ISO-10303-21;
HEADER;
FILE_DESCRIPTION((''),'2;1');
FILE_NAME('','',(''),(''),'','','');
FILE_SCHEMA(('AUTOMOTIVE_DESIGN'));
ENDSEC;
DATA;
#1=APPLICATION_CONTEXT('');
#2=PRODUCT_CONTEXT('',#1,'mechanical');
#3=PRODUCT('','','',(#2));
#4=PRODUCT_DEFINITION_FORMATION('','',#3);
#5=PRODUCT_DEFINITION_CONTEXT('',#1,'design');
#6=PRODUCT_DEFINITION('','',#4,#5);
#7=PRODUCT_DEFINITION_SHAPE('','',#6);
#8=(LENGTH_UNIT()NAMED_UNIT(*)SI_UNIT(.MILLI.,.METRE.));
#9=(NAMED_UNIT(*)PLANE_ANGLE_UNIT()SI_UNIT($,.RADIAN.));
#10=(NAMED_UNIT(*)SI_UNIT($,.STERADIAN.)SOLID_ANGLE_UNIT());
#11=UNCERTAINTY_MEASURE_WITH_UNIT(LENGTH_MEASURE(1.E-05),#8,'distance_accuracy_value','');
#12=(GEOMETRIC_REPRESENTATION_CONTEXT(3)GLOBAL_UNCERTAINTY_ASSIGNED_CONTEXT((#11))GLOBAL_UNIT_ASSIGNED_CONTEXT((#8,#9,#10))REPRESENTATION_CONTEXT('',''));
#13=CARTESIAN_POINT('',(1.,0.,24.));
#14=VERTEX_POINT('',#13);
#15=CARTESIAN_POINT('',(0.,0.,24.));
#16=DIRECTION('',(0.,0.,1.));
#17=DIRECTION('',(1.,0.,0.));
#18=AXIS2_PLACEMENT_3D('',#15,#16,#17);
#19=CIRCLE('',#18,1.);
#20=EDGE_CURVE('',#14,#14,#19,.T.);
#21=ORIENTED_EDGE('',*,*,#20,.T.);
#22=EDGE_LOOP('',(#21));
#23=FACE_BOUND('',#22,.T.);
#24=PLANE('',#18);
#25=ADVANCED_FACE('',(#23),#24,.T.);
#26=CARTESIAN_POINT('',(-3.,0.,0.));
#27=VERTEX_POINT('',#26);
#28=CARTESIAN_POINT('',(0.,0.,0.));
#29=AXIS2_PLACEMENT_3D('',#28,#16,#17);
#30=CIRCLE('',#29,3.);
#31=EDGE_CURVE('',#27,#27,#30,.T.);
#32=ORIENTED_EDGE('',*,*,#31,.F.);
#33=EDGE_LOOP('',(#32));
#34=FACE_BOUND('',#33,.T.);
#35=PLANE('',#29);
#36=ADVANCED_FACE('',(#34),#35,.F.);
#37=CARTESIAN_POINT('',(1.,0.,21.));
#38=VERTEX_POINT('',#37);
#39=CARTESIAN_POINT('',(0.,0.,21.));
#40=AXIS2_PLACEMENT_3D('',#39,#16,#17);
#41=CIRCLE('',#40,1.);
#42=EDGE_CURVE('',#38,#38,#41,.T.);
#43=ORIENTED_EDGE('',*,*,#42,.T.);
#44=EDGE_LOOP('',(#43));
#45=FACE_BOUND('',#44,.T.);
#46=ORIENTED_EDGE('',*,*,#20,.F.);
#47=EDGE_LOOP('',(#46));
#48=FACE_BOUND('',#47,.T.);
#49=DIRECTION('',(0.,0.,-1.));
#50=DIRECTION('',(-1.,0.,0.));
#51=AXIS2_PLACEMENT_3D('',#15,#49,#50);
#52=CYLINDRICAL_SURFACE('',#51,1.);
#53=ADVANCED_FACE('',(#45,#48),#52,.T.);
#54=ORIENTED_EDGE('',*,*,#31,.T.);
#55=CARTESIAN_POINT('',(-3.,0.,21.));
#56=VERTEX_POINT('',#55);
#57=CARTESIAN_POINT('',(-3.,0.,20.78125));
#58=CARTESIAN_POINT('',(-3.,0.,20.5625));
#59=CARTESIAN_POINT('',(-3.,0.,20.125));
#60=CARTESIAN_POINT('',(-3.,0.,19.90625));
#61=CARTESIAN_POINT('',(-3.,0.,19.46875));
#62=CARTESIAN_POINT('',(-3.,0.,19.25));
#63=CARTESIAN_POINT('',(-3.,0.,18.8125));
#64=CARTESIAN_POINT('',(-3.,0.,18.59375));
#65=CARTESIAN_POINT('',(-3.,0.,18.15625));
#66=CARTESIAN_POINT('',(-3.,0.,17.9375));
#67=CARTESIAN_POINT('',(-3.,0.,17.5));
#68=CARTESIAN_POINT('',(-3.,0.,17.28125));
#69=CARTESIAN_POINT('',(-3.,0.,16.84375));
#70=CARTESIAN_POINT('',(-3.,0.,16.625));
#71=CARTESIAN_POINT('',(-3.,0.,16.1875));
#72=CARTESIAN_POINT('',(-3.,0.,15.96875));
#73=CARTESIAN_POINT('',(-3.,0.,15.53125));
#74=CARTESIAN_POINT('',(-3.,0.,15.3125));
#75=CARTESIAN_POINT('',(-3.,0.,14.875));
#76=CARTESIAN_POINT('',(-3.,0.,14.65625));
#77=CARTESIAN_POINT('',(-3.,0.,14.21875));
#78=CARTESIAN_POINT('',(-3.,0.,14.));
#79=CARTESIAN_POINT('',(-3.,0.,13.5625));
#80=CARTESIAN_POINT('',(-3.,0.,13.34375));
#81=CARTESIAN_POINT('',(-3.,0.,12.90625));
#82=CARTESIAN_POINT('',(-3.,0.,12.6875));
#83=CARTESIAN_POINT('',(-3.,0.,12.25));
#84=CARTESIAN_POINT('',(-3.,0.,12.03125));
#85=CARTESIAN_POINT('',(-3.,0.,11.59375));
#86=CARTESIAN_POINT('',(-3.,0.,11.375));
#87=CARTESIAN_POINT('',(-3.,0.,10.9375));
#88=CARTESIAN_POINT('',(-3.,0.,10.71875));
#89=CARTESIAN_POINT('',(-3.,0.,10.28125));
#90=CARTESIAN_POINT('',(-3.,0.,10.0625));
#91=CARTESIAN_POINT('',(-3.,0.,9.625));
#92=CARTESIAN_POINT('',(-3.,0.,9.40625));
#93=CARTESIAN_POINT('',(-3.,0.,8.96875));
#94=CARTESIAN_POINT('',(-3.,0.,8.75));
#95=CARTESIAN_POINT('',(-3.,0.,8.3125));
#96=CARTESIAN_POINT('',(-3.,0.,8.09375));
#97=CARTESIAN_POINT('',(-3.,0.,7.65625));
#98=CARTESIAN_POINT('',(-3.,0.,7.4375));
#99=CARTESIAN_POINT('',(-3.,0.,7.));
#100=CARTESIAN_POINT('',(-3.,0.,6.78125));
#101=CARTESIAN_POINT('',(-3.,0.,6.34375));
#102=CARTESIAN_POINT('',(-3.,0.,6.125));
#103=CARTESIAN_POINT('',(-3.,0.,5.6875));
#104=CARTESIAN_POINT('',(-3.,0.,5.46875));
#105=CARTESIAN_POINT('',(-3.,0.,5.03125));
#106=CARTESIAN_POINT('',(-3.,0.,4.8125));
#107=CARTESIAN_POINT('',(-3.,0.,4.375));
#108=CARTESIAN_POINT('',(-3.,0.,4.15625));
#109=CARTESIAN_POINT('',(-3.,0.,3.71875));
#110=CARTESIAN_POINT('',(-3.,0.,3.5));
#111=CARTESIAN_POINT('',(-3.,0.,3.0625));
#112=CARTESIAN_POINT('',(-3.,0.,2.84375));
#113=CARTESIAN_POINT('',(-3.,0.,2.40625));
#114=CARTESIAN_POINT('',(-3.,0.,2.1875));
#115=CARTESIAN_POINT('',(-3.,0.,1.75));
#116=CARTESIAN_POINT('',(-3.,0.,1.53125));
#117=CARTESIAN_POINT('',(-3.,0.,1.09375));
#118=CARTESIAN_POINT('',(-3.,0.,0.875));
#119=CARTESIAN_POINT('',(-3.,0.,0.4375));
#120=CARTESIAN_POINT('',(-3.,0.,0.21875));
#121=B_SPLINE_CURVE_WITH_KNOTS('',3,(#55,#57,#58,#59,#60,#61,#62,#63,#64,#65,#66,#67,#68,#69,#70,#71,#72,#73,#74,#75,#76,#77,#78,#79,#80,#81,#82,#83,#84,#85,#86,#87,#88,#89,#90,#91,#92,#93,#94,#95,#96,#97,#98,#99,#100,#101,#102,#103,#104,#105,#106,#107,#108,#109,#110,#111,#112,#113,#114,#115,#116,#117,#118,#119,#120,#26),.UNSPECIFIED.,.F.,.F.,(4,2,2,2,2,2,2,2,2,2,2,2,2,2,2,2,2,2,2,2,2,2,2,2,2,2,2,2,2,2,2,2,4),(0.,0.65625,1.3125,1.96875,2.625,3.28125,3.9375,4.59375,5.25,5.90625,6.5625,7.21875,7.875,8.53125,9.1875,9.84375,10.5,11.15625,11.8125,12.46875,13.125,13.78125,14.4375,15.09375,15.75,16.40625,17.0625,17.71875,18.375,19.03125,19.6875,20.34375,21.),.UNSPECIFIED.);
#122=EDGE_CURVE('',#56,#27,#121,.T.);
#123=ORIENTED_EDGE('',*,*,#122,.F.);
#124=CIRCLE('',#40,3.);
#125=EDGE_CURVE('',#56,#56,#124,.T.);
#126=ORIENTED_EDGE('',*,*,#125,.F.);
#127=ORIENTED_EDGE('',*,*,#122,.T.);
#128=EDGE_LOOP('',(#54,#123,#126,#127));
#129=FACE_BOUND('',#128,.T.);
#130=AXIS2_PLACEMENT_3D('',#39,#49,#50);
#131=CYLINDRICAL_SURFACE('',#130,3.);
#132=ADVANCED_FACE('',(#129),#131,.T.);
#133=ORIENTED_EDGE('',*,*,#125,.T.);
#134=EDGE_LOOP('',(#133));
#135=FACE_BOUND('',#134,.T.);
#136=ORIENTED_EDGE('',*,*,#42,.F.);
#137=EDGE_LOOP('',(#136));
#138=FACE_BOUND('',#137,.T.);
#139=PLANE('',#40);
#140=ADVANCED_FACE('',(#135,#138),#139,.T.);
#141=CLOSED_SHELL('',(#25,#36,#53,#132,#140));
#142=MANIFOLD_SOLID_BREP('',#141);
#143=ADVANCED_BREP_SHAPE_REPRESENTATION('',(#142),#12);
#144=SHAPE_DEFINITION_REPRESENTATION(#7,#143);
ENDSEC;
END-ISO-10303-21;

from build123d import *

# Parameters (mm, degrees)
SKETCH_1_R      = 3
EXTRUDE_1_DEPTH = 21
SKETCH_2_R      = 1
EXTRUDE_2_DEPTH = 3


with BuildPart() as part:
    # 스케치1 → 보스-돌출1 (new body)
    with BuildSketch(Plane.XY):
        with Locations(Location((0, 0, 0), (0, 0, 180))):
            Circle(SKETCH_1_R)
    extrude(amount=EXTRUDE_1_DEPTH)

    # 스케치2 → 보스-돌출2 (add)
    with BuildSketch(Plane.XY.offset(21)):
        Circle(SKETCH_2_R)
    extrude(amount=EXTRUDE_2_DEPTH)


solid = part.part
